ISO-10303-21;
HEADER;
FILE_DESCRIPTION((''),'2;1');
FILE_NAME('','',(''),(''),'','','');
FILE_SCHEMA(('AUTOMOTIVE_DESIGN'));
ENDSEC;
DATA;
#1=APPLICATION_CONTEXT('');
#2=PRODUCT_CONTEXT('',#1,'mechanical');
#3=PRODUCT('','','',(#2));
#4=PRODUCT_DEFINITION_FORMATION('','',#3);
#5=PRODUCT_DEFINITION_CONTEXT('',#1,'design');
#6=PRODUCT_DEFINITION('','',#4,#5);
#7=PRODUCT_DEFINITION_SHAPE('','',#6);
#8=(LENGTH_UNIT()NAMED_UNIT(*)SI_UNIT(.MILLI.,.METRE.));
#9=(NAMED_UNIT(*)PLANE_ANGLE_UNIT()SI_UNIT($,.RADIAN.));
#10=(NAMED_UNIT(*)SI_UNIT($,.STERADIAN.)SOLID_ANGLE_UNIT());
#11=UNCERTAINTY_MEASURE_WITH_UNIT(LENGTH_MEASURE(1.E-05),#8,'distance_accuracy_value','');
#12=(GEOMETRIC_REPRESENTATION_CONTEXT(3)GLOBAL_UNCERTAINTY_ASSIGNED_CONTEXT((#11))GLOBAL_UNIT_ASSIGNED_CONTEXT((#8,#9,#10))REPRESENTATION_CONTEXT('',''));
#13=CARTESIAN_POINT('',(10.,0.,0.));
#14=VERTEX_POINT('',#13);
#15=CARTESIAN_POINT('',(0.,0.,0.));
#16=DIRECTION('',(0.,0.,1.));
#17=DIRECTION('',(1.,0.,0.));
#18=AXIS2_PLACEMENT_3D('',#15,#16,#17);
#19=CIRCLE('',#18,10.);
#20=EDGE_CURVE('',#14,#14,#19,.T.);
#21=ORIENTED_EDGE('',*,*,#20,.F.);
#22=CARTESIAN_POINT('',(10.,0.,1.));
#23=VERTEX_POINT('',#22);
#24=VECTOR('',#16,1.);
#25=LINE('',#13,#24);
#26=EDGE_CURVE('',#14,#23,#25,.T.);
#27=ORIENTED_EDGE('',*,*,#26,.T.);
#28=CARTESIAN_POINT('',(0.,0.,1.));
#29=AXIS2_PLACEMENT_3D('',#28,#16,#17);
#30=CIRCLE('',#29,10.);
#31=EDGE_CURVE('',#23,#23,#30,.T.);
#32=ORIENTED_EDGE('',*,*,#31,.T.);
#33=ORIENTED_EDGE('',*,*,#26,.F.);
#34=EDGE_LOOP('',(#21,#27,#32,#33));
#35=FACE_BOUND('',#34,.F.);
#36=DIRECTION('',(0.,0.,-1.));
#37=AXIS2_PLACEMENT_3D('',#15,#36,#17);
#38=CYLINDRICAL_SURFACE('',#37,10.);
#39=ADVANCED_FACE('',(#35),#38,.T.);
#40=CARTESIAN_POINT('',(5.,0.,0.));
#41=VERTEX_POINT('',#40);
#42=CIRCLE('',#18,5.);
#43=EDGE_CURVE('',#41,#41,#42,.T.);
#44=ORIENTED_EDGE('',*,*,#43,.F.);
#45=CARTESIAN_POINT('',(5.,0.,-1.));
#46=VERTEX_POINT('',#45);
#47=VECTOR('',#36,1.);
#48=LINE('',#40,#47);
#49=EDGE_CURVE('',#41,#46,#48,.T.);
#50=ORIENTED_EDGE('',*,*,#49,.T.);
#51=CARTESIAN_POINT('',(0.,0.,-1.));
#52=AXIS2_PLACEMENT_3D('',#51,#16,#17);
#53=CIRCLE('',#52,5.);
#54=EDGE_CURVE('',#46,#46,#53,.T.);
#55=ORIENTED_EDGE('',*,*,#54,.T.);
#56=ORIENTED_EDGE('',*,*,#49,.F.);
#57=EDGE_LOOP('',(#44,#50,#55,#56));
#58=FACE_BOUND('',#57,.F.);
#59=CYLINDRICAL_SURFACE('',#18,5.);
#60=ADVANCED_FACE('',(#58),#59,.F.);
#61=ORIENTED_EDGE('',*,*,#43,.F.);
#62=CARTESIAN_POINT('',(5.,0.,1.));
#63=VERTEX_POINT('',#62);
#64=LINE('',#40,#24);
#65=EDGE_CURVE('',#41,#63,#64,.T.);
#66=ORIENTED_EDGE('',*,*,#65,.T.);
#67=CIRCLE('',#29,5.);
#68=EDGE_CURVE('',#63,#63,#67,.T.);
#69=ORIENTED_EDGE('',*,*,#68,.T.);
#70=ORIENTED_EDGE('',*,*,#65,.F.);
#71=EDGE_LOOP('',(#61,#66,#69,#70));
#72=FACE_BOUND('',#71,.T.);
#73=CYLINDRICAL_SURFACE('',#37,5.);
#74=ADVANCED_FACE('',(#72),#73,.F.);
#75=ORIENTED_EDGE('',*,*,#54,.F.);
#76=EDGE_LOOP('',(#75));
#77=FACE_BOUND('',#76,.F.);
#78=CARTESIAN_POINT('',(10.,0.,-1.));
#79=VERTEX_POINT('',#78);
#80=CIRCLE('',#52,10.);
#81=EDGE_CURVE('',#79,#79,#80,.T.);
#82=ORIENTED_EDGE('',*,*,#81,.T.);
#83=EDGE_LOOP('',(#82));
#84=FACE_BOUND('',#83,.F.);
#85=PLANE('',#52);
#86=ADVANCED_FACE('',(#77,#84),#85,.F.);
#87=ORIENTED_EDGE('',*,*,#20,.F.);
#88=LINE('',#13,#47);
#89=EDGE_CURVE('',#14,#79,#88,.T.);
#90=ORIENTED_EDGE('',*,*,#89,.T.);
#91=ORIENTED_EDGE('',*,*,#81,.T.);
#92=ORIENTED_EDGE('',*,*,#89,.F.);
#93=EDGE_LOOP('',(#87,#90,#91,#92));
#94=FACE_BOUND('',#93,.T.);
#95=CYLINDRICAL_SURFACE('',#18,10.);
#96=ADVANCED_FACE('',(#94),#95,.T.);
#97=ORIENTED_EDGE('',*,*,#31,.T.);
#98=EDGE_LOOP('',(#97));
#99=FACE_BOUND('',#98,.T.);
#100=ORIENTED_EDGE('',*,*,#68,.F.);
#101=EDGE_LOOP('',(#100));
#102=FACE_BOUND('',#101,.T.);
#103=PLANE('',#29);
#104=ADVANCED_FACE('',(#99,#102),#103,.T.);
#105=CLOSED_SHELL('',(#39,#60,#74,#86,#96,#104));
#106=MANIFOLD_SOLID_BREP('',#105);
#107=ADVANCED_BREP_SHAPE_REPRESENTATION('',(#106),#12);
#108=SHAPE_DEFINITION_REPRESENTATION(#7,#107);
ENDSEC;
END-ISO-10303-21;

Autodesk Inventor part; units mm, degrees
ref_plane "YZ Plane" through (0, 0, 0) normal (1, 0, 0) x (0, 1, 0)
ref_plane "XZ Plane" through (0, 0, 0) normal (0, 1, 0) x (-1, 0, 0)
ref_plane "XY Plane" through (0, 0, 0) normal (0, 0, 1) x (1, 0, 0)
sketch "Esboço1" plane through (0, 0, 0) normal (0, 0, 1) x (1, 0, 0)
  circle A0 centre (0, 0) radius 5
  circle A1 centre (0, 0) radius 10
  dimension "d0" = 10
  dimension "d1" = 20
extrude "Extrusão1" add sketch "Esboço1" along normal mid plane 2
properties part number "arruela"
